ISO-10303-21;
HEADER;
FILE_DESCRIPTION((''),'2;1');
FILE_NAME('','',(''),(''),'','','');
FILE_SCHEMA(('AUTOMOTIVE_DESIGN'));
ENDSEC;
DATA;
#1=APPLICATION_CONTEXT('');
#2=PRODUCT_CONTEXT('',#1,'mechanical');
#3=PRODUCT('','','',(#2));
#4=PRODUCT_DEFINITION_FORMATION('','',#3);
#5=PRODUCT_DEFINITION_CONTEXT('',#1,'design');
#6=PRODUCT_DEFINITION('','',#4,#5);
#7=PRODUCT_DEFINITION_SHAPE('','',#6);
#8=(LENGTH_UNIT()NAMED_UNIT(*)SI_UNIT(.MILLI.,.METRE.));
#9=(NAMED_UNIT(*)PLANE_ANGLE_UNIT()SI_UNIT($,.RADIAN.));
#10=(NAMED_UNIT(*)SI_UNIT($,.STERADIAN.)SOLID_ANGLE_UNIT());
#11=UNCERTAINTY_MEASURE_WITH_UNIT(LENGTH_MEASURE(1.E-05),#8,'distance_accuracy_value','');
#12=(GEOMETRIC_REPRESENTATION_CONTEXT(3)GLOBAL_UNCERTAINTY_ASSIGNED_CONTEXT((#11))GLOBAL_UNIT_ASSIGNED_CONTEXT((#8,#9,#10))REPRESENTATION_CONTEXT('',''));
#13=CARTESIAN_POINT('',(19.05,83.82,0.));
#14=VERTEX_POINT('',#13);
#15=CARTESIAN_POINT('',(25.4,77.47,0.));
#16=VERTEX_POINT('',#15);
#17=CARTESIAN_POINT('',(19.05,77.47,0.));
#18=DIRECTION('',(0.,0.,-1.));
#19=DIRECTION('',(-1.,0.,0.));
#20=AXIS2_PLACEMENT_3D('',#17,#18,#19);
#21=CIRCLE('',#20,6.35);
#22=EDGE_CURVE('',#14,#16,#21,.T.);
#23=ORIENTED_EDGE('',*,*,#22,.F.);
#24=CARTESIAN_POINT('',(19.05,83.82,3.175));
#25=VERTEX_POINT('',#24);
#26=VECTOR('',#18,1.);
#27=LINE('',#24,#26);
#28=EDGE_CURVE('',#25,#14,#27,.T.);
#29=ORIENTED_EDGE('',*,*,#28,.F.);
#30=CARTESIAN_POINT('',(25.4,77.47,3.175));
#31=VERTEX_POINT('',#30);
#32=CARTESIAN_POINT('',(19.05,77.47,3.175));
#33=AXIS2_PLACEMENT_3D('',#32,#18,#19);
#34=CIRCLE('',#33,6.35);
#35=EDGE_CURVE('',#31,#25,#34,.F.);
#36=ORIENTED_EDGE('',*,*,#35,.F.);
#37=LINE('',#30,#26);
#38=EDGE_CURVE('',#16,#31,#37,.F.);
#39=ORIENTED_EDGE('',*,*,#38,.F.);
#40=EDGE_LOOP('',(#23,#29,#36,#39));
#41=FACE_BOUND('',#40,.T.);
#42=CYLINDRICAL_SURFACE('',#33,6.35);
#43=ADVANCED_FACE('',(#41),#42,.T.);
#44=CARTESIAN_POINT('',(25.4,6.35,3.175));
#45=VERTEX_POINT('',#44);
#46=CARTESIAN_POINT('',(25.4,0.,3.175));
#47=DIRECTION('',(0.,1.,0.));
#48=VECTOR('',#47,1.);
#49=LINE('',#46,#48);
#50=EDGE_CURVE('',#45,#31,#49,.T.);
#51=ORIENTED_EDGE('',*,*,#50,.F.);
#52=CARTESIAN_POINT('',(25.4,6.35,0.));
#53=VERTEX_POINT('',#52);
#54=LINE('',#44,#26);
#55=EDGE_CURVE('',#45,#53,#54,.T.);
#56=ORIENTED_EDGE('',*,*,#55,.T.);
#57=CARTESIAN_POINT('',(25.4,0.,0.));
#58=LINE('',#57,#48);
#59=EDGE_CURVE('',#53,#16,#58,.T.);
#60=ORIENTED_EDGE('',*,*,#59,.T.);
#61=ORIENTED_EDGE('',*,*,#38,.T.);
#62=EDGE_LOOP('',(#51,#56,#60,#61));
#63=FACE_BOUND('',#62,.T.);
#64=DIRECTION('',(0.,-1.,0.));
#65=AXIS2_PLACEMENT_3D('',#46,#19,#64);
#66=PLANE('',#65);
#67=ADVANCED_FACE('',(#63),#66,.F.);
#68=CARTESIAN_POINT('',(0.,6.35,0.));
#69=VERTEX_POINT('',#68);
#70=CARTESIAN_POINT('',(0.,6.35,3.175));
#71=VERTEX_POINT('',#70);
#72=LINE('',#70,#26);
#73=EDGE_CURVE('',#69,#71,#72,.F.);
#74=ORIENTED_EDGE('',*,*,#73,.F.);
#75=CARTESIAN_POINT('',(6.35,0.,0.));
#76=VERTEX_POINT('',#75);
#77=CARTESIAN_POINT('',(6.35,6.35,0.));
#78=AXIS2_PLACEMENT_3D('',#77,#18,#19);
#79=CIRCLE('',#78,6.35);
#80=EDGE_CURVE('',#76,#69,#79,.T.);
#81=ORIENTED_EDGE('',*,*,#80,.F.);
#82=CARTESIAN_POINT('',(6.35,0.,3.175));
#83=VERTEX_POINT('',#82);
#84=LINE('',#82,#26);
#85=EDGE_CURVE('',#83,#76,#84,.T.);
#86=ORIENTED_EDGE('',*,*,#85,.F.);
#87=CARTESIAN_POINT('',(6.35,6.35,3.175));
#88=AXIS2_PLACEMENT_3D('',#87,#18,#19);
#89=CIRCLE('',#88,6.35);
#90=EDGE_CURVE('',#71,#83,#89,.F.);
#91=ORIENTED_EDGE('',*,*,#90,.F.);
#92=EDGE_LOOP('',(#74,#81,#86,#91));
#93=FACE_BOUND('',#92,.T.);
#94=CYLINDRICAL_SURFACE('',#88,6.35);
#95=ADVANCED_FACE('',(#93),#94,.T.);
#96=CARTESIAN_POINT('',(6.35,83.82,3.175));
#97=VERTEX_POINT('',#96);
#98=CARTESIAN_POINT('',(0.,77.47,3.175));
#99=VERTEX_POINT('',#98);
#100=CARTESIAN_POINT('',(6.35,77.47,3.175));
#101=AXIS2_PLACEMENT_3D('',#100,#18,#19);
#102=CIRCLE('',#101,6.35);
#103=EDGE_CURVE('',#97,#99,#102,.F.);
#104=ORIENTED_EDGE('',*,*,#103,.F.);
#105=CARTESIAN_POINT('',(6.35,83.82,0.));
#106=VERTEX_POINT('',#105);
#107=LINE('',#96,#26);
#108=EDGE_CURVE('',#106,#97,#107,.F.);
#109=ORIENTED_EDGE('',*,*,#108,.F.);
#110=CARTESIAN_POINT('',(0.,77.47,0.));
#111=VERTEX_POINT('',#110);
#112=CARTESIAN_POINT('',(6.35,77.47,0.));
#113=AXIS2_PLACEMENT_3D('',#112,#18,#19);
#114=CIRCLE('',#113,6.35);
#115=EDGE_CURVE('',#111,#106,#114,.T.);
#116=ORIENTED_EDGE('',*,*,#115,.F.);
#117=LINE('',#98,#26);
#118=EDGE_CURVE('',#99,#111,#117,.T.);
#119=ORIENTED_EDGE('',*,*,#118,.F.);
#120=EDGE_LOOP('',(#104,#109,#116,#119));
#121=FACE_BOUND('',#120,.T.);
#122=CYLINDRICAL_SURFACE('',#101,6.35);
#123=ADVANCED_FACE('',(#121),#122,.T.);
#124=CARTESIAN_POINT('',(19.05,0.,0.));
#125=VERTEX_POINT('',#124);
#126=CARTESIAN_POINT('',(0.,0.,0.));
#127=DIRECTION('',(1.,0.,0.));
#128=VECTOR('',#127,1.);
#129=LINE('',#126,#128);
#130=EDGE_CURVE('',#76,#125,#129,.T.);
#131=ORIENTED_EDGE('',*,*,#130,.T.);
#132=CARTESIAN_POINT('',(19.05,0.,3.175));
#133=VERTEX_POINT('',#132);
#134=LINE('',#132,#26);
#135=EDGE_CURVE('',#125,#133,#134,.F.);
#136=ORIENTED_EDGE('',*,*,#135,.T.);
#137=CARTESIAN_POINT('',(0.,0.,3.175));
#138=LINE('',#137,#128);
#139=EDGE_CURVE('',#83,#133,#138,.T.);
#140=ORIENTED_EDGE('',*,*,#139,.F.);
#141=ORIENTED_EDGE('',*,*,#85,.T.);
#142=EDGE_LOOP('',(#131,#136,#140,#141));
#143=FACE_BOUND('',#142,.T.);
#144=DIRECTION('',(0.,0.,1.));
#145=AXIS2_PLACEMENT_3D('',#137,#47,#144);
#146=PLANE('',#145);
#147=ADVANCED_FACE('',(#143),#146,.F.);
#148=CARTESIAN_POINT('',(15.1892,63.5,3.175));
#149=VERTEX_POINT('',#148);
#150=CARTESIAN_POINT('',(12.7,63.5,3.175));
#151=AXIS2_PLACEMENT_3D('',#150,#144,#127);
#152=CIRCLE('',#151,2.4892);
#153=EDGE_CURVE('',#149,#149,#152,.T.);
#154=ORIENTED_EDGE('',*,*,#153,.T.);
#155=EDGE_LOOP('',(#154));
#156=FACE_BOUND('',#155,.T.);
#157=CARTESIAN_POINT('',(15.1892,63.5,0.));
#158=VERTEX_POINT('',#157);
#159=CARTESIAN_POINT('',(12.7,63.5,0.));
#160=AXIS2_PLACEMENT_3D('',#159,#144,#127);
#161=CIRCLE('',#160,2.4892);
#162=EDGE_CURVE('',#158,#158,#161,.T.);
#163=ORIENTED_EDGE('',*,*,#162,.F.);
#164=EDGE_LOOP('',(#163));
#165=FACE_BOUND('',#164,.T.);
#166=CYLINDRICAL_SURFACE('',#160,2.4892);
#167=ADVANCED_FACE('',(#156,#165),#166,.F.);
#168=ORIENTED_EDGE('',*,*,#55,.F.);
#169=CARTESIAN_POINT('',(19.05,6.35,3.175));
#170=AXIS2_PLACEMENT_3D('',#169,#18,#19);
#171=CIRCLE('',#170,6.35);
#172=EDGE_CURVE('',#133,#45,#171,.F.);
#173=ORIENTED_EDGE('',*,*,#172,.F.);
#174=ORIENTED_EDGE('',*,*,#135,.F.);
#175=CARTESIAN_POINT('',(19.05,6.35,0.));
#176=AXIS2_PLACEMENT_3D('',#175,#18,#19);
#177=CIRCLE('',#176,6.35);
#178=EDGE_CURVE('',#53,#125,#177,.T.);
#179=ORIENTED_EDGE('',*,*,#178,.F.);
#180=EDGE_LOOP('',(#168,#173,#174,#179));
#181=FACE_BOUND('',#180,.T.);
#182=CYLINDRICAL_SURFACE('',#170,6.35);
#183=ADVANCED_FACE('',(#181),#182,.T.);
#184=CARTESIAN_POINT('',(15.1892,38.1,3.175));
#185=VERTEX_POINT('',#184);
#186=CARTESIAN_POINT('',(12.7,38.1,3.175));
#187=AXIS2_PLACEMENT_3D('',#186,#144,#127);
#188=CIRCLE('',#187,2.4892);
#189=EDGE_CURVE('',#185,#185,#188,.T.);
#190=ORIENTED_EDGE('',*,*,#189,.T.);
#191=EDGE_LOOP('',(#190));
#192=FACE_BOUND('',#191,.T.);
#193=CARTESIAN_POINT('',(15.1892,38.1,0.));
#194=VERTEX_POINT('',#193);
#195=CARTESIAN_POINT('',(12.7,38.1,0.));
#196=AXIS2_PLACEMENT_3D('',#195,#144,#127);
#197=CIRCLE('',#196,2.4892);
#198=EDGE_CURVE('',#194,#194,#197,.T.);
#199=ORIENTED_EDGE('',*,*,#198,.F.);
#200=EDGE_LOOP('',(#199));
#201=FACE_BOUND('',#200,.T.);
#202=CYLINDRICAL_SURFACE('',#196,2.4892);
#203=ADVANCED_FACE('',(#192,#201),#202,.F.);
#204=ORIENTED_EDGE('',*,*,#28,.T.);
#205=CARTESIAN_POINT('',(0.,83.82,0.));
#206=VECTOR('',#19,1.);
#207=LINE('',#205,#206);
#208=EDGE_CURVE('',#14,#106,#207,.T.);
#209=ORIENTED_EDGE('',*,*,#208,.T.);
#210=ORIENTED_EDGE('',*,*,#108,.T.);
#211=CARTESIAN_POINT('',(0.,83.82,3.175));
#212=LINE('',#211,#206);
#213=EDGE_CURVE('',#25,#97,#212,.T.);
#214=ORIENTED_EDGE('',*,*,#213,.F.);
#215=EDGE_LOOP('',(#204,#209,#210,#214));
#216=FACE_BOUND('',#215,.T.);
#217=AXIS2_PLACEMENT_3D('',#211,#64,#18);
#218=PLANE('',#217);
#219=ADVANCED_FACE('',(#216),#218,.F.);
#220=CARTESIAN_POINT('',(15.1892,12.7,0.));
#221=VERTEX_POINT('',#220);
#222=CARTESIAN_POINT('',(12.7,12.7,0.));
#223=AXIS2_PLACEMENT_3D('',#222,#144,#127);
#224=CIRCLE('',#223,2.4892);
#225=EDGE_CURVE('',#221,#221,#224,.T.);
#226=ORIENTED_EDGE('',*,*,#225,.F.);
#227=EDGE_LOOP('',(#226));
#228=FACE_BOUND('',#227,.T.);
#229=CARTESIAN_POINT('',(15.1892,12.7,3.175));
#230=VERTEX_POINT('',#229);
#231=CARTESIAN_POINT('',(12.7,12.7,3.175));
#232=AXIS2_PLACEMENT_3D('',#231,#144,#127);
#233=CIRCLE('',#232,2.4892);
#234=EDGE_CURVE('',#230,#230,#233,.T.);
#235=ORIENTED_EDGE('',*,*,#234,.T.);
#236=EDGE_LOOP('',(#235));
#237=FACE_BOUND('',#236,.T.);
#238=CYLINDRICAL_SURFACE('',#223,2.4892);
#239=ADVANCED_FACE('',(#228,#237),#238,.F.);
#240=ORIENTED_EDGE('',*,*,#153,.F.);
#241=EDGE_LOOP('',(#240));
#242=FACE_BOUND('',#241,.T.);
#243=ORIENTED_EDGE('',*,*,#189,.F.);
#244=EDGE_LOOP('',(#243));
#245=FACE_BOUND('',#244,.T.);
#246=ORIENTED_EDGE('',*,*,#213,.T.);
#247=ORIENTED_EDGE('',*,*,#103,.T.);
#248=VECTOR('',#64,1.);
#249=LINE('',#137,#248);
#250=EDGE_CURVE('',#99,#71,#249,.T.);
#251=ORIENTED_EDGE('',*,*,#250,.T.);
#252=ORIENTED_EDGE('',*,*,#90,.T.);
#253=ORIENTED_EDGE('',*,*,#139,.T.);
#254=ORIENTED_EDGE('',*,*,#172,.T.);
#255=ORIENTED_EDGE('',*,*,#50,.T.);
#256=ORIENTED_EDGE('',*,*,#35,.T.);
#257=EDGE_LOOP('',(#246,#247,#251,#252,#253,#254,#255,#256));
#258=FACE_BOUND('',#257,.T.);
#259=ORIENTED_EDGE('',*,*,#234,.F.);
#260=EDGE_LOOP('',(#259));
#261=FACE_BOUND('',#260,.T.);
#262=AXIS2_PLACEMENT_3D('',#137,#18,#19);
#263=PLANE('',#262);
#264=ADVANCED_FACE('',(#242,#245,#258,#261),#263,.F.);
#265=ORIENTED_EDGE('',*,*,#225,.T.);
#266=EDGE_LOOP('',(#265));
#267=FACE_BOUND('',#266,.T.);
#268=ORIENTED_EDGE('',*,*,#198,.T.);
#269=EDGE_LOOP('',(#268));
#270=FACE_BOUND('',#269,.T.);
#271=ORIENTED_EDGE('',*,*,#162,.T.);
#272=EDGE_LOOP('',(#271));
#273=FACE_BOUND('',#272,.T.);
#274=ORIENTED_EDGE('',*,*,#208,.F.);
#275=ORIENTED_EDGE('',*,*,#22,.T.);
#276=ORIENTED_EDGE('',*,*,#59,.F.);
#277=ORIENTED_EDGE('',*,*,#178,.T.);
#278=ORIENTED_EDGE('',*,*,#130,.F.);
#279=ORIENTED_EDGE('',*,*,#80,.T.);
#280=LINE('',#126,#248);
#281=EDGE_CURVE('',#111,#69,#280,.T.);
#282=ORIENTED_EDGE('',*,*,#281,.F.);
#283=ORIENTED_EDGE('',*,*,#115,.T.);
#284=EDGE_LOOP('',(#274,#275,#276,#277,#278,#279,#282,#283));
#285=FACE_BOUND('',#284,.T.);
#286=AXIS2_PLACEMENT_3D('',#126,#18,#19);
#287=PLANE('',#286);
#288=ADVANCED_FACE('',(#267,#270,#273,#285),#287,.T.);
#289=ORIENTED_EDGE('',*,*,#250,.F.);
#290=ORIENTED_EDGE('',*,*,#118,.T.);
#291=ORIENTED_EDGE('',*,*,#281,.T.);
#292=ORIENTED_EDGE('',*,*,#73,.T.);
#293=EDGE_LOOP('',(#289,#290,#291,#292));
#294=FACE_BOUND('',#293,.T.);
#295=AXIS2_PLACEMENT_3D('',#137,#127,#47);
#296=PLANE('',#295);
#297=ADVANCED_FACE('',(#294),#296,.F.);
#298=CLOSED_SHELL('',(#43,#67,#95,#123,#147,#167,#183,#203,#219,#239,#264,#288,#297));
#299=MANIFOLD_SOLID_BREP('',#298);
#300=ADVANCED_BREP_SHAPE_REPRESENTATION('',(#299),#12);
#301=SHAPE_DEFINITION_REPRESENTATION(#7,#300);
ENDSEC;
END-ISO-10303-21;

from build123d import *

# Parameters (mm, degrees)
SKETCH1_W           = 25.4
SKETCH1_H           = 83.82
BOSS_EXTRUDE1_DEPTH = 3.175
SKETCH2_R           = 2.4892
CUT_EXTRUDE1_DEPTH  = 88.641502868
FILLET1_R           = 6.35


with BuildPart() as part:
    # Sketch1 → Boss-Extrude1 (new body)
    with BuildSketch(Plane.XY):
        with Locations((12.7, 41.91)):
            Rectangle(SKETCH1_W, SKETCH1_H)
    extrude(amount=BOSS_EXTRUDE1_DEPTH)

    # Sketch2 → Cut-Extrude1 (cut, through all)
    with BuildSketch(Plane.XY.offset(3.175)):
        with Locations((12.7, 12.7)):
            Circle(SKETCH2_R)
        with Locations((12.7, 38.1)):
            Circle(SKETCH2_R)
        with Locations((12.7, 63.5)):
            Circle(SKETCH2_R)
    extrude(amount=-CUT_EXTRUDE1_DEPTH, mode=Mode.SUBTRACT)

    # Fillet1
    fillet1_edges = [part.edges().sort_by_distance(p)[0] for p in [
        (0, 83.82, 1.5875),
        (25.4, 83.82, 1.5875),
        (25.4, 0, 1.5875),
        (0, 0, 1.5875),
    ]]
    fillet(fillet1_edges, radius=FILLET1_R)


solid = part.part
